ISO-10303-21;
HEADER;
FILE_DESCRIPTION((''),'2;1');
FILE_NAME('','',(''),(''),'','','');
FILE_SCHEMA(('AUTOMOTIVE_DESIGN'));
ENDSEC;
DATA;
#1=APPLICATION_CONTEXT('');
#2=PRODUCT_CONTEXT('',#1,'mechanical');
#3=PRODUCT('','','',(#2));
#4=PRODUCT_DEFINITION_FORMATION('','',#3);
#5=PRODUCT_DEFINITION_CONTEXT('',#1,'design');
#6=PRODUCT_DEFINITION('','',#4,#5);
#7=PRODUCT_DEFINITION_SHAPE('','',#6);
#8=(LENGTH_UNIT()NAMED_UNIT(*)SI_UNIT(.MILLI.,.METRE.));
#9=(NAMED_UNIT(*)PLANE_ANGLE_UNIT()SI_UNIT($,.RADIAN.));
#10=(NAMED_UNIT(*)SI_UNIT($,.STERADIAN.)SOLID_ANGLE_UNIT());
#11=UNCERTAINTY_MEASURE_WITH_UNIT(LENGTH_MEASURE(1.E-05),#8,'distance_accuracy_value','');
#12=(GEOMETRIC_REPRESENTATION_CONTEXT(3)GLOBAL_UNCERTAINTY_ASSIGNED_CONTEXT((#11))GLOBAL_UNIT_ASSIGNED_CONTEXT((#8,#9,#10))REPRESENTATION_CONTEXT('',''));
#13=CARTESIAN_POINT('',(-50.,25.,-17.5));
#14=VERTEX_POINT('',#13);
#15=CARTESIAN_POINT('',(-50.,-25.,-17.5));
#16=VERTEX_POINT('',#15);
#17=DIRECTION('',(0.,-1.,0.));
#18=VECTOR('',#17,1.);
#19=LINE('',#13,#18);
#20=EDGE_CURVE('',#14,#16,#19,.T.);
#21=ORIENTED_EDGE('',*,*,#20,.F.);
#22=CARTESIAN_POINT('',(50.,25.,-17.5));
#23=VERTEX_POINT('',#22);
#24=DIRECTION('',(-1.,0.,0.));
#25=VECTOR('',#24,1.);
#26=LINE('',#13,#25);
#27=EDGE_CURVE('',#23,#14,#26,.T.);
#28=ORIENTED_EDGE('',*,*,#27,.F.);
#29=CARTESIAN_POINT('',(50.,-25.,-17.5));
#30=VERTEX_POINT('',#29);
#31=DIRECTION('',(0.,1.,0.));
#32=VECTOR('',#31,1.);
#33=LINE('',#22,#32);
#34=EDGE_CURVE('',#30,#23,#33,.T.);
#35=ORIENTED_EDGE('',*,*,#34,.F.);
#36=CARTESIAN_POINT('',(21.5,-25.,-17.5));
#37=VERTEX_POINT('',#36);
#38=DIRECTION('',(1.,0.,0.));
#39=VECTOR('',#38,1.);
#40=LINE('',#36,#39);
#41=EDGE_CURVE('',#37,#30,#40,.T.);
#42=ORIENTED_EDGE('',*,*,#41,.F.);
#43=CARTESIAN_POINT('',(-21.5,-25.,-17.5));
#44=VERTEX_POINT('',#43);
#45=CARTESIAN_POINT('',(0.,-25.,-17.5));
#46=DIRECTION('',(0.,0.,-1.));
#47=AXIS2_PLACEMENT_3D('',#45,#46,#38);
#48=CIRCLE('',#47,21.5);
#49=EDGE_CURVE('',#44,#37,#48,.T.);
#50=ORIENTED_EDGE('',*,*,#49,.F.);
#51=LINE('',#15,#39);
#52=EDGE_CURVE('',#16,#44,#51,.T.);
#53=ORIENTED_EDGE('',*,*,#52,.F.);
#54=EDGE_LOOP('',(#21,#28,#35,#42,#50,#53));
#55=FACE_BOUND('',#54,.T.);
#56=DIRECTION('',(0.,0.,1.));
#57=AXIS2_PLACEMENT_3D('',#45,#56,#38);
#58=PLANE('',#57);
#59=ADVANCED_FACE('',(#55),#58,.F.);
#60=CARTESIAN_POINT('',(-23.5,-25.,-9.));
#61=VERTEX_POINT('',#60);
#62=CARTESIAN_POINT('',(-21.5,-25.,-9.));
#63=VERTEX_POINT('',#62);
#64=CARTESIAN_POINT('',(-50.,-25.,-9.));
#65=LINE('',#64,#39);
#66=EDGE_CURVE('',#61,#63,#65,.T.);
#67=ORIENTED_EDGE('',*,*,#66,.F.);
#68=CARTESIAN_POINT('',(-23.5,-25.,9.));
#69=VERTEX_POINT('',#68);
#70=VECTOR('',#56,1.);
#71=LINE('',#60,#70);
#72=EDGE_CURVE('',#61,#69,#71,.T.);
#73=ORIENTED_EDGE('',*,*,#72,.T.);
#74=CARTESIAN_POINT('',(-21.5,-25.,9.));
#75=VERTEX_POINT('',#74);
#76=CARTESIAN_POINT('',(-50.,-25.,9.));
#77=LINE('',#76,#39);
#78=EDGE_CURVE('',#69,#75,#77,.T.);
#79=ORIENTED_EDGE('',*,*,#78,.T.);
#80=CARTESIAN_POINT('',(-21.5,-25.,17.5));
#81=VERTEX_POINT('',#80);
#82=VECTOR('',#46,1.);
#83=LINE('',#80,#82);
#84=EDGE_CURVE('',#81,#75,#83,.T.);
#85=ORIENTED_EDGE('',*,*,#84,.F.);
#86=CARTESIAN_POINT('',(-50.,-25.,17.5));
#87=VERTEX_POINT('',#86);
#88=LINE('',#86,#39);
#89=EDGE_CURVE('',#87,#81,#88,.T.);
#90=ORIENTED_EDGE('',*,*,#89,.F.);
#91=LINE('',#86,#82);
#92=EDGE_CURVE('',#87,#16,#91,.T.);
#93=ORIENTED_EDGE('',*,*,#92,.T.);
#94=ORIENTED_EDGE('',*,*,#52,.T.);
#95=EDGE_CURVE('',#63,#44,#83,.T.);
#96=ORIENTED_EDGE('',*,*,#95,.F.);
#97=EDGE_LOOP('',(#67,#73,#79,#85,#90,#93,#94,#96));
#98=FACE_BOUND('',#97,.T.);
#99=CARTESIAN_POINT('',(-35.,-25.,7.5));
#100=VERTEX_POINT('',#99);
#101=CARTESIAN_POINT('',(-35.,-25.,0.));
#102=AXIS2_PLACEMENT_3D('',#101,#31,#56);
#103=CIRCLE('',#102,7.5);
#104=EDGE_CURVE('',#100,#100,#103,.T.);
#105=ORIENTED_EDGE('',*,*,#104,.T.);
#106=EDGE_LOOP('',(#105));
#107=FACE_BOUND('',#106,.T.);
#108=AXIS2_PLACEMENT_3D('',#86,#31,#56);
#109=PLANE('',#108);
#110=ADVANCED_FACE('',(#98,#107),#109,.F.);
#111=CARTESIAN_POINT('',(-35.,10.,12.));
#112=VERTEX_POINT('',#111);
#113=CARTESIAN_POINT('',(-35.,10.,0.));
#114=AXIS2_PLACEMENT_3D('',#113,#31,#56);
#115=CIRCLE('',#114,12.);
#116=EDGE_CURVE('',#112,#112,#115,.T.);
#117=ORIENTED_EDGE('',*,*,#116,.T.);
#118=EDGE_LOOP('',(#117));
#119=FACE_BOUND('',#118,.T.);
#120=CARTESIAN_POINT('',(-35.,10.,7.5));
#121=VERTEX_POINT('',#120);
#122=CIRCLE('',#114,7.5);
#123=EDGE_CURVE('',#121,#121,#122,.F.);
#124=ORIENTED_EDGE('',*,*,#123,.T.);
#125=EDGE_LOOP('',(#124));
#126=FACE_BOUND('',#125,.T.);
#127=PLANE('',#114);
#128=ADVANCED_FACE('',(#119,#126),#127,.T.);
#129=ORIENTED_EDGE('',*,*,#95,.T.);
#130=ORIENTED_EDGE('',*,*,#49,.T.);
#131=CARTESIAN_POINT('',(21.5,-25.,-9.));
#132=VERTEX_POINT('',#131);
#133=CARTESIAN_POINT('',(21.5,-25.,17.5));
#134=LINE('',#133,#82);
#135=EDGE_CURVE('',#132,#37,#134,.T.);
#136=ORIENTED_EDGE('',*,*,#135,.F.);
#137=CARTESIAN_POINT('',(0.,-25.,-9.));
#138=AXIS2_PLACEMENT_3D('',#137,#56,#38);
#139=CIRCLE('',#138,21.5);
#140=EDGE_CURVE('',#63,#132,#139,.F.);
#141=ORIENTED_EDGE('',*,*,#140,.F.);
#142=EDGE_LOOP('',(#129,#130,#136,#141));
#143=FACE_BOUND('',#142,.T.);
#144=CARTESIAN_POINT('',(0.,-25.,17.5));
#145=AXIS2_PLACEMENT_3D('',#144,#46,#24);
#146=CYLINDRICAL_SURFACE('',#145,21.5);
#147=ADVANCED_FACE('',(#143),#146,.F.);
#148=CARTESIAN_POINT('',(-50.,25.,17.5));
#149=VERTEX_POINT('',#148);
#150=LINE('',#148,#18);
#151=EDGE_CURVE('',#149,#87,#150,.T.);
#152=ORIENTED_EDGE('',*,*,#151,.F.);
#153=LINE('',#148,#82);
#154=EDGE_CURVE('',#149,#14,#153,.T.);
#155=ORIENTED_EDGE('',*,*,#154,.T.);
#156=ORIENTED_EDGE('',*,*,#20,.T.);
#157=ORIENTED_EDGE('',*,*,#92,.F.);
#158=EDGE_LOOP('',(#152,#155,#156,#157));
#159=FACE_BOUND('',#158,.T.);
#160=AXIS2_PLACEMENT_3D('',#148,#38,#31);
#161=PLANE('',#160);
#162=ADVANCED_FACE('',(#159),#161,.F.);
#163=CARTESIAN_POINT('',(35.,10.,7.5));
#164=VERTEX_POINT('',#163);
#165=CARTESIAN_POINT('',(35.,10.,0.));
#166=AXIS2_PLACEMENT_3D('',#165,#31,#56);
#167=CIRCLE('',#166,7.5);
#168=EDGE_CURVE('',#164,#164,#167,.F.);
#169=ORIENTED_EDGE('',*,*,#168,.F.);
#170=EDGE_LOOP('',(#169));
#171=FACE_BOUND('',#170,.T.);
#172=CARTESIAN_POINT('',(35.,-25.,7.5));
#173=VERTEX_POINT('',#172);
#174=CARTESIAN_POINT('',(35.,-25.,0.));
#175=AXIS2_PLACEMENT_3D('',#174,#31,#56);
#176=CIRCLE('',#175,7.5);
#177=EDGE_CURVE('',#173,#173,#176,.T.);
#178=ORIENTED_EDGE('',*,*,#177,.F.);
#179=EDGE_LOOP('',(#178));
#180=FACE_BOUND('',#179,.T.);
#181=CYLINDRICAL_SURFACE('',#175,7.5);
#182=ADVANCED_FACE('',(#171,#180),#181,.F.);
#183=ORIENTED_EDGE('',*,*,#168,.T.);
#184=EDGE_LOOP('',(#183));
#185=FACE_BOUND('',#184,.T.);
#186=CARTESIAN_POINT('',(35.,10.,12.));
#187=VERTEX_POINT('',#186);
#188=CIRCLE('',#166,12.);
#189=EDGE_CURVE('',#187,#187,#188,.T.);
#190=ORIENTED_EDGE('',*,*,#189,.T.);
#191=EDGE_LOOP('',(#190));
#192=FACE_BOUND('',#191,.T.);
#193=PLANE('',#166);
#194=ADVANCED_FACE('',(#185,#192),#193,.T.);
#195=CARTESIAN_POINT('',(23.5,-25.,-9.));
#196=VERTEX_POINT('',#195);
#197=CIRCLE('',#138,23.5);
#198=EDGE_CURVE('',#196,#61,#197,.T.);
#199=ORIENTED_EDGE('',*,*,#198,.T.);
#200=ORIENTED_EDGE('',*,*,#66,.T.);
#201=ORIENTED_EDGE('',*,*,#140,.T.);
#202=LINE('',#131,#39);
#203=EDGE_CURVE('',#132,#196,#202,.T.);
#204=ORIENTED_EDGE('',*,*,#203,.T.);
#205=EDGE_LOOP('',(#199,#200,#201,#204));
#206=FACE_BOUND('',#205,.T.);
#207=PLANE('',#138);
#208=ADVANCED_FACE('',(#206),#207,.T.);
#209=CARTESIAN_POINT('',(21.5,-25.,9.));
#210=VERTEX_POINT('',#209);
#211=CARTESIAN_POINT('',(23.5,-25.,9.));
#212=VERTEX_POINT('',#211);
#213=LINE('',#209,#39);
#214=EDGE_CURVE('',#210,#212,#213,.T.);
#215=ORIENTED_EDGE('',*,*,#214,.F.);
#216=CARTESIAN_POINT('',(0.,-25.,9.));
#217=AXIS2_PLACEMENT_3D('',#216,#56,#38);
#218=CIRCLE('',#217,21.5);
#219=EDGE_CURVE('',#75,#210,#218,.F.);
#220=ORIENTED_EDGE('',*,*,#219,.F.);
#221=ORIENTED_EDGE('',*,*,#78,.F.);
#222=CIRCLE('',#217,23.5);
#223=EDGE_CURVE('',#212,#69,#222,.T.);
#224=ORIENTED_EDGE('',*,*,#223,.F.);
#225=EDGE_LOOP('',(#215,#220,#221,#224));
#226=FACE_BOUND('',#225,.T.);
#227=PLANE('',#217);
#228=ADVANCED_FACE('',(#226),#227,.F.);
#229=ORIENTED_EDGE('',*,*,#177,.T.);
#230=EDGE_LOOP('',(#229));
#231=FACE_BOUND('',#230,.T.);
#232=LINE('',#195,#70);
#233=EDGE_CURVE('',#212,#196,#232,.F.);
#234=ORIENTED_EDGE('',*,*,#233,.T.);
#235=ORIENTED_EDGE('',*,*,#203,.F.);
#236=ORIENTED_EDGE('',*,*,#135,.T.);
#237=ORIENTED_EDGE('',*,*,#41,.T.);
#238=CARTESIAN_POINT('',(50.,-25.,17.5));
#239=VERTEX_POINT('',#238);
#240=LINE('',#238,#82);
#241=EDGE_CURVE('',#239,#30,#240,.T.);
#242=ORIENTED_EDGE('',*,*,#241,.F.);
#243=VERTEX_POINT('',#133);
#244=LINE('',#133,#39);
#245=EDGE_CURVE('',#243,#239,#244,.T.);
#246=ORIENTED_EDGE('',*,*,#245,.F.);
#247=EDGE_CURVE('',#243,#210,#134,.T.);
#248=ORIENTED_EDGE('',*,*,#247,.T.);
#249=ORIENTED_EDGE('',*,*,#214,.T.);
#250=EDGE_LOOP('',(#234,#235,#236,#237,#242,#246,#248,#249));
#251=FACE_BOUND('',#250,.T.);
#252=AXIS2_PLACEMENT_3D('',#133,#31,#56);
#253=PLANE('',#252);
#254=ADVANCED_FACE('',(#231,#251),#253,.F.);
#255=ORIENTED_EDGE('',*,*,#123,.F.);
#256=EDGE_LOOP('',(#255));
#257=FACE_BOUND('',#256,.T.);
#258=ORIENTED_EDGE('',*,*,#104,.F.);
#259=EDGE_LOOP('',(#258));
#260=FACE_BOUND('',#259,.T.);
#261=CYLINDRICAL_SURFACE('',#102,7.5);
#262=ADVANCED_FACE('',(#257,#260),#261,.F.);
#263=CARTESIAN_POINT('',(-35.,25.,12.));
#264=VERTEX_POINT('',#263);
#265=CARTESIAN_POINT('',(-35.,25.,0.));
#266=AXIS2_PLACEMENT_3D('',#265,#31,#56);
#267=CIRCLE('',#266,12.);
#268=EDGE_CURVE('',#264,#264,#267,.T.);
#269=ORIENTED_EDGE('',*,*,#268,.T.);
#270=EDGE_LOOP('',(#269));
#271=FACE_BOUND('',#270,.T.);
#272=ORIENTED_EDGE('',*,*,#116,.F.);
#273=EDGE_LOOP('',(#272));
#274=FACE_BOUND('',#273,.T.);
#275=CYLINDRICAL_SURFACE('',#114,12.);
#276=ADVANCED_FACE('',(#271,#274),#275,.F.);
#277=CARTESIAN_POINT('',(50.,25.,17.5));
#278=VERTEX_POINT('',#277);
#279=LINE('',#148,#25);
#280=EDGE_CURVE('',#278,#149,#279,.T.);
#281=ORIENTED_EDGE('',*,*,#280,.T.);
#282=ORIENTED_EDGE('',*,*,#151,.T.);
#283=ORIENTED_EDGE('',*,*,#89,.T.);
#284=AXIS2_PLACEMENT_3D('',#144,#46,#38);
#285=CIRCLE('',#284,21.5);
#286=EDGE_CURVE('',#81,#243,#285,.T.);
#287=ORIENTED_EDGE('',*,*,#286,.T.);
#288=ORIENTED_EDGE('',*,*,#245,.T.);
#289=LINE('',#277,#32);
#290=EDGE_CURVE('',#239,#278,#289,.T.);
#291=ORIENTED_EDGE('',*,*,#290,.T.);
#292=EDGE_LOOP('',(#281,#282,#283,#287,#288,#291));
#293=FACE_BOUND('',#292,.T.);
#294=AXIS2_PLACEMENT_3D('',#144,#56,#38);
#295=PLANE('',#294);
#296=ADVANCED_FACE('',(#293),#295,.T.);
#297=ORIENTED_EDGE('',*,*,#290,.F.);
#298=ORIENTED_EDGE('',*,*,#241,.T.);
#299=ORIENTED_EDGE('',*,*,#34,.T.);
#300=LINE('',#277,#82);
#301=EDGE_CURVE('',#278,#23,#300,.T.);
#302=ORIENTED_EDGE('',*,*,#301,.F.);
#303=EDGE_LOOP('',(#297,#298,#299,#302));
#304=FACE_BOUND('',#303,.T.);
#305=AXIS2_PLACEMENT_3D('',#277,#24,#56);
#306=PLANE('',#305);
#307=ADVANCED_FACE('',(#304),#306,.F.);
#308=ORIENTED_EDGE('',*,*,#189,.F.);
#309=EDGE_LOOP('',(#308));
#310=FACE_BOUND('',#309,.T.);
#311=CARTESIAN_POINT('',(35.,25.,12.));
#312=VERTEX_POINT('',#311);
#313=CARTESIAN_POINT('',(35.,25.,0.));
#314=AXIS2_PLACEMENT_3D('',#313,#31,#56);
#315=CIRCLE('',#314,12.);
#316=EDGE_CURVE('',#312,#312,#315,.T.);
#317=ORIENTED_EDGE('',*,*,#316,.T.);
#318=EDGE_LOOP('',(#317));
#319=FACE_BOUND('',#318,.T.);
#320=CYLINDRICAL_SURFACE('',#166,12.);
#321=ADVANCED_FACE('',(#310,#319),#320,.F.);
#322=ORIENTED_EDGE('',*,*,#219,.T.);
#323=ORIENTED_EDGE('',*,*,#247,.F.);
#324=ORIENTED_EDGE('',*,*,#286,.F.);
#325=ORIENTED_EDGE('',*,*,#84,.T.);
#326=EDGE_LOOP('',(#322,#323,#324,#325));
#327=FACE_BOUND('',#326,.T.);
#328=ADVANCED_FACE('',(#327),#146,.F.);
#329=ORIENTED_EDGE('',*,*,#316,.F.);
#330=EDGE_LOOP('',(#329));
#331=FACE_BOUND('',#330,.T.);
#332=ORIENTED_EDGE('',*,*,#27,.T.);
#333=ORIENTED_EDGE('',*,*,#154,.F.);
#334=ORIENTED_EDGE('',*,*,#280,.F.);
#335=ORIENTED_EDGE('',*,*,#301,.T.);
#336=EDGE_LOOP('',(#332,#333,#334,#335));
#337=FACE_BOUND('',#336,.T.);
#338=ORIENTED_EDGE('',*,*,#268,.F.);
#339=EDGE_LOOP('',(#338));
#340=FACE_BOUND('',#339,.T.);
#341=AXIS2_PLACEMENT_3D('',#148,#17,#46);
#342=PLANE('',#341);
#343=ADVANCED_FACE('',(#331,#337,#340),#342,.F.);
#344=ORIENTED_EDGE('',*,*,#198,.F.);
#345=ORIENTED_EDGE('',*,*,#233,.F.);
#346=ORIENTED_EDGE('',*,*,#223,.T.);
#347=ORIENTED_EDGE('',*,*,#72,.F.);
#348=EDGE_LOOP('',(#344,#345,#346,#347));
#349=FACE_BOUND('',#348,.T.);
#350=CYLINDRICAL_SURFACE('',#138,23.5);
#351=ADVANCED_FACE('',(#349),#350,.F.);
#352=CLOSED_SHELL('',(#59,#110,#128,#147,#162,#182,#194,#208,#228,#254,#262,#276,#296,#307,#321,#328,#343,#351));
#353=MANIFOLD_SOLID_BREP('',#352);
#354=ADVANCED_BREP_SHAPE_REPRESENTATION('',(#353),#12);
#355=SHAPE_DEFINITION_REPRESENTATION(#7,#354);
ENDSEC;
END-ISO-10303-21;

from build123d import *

# Parameters (mm, degrees)
EXTRUDE_1_DEPTH     = 17.5
SKETCH_2_R          = 7.5
CUT_EXTRUDE_1_DEPTH = 73.844011422
SKETCH_3_R          = 12
CUT_EXTRUDE_2_DEPTH = 15
SKETCH_4_R          = 23.5
CUT_EXTRUDE_3_DEPTH = 9


with BuildPart() as part:
    # 草图1 → 凸台-拉伸1 (new, symmetric)
    with BuildSketch(Plane.XY):
        with BuildLine():
            Line((21.5, -25), (50, -25))
            Line((50, -25), (50, 25))
            Line((50, 25), (-50, 25))
            Line((-50, 25), (-50, -25))
            Line((-50, -25), (-21.5, -25))
            ThreePointArc((-21.5, -25), (0, -3.5), (21.5, -25))
        make_face()
    extrude(amount=EXTRUDE_1_DEPTH, both=True)

    # 草图2 → 切除-拉伸1 (cut, through all)
    with BuildSketch(Plane(origin=(0, 25, 0), x_dir=(1, 0, 0), z_dir=(0, 1, 0))):
        with Locations(Location((-35, 0, 0), (0, 0, 270))):
            Circle(SKETCH_2_R)
        with Locations(Location((35, 0, 0), (0, 0, 270))):
            Circle(SKETCH_2_R)
    extrude(amount=-CUT_EXTRUDE_1_DEPTH, mode=Mode.SUBTRACT)

    # 草图3 → 切除-拉伸2 (cut)
    with BuildSketch(Plane(origin=(0, 25, 0), x_dir=(1, 0, 0), z_dir=(0, 1, 0))):
        with Locations(Location((-35, 0, 0), (0, 0, 270))):
            Circle(SKETCH_3_R)
        with Locations(Location((35, 0, 0), (0, 0, 270))):
            Circle(SKETCH_3_R)
    extrude(amount=-CUT_EXTRUDE_2_DEPTH, mode=Mode.SUBTRACT)

    # 草图4 → 切除-拉伸3 (cut, symmetric)
    with BuildSketch(Plane.XY):
        with Locations((0, -25)):
            Circle(SKETCH_4_R)
    extrude(amount=CUT_EXTRUDE_3_DEPTH, both=True, mode=Mode.SUBTRACT)


solid = part.part
